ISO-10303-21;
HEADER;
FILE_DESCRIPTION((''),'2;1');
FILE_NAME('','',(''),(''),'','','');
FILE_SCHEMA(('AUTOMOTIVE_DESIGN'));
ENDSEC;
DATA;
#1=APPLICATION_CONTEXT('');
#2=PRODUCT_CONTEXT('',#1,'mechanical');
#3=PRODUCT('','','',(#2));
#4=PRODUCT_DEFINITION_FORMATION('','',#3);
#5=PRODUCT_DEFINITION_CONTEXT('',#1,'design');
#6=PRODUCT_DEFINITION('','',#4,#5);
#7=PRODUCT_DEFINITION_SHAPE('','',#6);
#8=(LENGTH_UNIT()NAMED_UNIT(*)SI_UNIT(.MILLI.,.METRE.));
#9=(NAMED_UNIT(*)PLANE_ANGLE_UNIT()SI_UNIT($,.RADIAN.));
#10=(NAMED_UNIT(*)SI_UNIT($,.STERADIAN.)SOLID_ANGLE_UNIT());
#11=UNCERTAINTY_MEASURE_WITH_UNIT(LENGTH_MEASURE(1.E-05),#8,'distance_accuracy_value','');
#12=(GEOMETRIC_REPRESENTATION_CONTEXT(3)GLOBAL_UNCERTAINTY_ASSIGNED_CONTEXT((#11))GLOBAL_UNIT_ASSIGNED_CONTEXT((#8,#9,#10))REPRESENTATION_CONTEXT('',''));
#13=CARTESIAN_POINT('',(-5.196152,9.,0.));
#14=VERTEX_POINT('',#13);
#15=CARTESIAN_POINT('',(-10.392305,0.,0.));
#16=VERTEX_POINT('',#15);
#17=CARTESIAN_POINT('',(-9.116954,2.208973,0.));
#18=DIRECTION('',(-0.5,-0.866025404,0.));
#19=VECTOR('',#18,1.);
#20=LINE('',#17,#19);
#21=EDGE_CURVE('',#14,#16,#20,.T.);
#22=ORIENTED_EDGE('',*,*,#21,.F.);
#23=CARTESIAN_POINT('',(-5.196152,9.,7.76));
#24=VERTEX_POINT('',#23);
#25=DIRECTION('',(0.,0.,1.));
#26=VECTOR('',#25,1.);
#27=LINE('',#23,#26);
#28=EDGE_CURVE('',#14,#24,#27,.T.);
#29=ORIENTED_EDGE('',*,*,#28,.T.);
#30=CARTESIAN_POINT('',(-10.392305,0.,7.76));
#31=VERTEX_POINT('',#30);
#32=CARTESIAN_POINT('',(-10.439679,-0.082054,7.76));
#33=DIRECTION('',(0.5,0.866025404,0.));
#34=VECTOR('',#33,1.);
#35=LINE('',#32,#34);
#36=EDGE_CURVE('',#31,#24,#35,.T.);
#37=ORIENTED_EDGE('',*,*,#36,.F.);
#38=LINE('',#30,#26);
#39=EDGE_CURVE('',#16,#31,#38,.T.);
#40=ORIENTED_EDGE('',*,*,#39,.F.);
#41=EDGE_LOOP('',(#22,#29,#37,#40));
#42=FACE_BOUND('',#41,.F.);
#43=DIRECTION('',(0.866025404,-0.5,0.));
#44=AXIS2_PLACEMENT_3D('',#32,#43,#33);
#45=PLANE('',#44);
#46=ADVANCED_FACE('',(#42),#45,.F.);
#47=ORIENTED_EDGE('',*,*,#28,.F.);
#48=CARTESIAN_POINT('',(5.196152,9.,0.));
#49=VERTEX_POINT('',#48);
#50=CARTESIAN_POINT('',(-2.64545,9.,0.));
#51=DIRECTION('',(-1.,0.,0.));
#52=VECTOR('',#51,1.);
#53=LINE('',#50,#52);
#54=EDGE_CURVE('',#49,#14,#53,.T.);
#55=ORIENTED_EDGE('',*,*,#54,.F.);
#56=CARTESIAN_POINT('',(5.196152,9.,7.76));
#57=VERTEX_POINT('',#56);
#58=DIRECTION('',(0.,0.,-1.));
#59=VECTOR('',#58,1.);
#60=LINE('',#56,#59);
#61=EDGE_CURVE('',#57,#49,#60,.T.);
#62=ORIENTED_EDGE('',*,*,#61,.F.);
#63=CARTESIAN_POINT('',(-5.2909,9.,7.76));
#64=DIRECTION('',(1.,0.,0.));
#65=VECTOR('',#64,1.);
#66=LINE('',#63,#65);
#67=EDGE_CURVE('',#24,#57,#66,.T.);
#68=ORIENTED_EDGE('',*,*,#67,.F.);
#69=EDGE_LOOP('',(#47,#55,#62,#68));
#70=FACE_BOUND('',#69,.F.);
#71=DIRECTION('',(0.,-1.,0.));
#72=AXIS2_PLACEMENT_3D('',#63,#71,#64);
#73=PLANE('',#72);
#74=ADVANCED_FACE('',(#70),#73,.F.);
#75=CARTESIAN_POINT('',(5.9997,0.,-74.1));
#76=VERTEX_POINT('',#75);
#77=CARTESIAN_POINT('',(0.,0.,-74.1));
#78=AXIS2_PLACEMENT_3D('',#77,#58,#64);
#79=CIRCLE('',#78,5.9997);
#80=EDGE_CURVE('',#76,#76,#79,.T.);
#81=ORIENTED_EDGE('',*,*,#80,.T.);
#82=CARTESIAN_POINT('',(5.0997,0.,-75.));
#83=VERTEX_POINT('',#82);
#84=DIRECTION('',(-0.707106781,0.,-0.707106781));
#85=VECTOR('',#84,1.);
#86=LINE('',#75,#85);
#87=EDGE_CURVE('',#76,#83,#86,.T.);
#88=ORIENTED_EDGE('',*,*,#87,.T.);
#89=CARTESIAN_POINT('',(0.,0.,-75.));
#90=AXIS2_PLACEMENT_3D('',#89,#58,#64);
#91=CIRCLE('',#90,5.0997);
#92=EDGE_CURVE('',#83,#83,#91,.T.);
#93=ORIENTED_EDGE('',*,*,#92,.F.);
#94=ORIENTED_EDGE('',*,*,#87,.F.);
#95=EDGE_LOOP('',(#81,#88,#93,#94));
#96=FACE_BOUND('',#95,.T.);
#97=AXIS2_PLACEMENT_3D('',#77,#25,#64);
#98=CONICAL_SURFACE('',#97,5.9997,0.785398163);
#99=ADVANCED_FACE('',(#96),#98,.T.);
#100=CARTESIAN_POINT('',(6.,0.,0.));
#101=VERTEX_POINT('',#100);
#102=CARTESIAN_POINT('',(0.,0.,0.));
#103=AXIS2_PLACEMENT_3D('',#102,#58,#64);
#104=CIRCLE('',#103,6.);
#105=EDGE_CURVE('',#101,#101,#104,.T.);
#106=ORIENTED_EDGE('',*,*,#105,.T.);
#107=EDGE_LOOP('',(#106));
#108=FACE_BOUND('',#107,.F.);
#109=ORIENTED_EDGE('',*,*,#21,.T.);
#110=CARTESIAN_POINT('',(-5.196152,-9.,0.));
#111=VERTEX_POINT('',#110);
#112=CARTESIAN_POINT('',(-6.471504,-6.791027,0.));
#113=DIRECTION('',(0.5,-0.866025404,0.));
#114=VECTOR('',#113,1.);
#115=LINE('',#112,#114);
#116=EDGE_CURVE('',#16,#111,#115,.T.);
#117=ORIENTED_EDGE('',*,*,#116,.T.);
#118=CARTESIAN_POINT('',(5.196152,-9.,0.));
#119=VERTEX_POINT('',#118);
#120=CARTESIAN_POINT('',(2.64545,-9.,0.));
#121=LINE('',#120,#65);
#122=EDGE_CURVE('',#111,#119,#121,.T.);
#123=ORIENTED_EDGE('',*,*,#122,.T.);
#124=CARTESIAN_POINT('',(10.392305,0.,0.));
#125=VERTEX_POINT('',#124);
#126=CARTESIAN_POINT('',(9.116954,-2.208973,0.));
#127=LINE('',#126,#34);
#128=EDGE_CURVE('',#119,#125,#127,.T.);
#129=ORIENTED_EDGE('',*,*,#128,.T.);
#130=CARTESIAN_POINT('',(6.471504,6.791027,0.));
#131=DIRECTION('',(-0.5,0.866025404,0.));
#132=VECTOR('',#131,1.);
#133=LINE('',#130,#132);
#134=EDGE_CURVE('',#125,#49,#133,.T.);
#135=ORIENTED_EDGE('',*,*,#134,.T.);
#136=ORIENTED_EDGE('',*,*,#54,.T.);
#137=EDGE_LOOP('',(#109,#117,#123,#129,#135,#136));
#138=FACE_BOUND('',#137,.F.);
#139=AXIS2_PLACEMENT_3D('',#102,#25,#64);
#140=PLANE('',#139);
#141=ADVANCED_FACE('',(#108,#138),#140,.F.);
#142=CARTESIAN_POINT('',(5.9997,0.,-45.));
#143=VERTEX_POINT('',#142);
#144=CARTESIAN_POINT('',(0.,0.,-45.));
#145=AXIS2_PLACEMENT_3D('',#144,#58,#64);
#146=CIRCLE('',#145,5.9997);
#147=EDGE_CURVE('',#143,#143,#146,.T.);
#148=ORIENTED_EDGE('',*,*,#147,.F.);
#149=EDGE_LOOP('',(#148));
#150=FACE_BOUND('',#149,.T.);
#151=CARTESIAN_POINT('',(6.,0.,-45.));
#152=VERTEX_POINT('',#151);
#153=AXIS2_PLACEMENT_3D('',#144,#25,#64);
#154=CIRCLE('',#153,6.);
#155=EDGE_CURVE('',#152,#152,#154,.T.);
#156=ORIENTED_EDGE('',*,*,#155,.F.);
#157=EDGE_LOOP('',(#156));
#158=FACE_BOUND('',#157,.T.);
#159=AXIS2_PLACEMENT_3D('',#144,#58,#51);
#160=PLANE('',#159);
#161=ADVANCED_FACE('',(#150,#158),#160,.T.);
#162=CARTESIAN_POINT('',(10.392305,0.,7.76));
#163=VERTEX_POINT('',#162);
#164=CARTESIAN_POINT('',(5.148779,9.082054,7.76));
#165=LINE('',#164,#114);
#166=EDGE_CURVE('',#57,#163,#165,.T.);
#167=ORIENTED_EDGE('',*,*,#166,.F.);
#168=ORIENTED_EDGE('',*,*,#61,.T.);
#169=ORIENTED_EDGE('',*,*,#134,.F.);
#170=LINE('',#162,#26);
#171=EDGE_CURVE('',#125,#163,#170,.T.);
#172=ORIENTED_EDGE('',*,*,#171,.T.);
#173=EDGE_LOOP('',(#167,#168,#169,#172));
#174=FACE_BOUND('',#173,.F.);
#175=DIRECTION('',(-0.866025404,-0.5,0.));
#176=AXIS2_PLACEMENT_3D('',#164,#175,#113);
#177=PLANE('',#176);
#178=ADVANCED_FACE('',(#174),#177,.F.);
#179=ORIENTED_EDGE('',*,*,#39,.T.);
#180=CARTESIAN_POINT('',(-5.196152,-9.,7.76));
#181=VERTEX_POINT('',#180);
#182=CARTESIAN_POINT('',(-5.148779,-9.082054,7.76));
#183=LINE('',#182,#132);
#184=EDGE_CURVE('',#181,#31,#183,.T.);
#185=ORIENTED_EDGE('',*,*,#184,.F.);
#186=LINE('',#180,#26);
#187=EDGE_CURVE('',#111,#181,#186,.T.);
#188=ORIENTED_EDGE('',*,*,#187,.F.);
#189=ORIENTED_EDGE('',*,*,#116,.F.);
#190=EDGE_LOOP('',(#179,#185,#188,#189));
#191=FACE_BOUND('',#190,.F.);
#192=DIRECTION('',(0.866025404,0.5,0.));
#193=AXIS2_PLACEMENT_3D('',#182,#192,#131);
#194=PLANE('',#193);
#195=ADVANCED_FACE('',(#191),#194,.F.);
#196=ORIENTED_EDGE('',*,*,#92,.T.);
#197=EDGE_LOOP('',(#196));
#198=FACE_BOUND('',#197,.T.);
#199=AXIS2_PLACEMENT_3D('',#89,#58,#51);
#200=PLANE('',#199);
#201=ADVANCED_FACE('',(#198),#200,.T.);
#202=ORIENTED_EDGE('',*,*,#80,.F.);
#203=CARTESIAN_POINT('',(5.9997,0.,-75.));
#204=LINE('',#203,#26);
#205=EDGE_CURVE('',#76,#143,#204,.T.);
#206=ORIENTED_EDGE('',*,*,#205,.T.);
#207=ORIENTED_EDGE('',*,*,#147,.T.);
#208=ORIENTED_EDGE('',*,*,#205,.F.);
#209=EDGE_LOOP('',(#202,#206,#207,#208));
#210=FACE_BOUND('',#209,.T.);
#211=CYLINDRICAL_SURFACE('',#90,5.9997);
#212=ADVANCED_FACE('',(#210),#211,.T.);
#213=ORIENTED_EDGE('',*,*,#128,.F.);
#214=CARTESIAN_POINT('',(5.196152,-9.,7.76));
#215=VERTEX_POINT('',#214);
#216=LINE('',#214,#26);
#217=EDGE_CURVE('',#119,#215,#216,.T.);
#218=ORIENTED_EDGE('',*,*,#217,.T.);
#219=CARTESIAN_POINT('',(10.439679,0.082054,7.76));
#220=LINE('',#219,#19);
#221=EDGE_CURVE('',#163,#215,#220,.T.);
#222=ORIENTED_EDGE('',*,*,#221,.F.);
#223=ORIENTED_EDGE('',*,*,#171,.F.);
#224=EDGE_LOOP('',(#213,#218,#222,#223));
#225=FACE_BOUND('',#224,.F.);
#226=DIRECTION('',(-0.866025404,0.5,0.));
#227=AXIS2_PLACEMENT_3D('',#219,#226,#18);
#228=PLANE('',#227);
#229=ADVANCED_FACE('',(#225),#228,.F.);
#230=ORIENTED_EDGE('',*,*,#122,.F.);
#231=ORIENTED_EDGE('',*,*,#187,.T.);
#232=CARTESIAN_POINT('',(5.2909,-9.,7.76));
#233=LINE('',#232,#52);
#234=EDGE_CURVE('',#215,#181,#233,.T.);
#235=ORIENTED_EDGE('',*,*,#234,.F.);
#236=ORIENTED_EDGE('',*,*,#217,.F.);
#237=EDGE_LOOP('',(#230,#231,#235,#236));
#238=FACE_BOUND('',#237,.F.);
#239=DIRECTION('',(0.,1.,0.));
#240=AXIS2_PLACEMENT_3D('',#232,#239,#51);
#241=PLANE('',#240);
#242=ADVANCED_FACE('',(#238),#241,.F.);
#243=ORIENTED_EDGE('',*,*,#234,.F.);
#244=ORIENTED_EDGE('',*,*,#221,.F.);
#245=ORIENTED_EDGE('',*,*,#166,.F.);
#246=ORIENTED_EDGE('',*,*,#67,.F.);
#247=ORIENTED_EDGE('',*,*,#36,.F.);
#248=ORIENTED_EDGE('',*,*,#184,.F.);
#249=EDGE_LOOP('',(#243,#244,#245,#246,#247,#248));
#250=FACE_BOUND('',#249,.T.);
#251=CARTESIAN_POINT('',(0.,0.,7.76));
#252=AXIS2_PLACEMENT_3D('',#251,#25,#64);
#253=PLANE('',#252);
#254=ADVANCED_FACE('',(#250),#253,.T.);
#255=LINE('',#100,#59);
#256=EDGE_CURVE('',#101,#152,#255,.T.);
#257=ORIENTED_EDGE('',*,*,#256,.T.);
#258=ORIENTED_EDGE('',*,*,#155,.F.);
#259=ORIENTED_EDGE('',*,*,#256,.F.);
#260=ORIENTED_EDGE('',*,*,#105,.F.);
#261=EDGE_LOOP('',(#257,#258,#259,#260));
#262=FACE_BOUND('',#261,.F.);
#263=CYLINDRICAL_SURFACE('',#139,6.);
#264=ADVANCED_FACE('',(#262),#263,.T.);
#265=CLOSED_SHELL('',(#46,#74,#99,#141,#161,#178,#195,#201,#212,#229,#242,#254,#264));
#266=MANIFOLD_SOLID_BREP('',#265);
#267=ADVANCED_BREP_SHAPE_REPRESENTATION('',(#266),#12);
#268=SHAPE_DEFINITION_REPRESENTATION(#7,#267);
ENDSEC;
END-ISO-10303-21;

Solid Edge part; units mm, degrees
sketch "Sketch1" plane through (0, 0, 0) normal (0, 0, 1) x (1, 0, 0)
  circle A0 centre (0, 0) radius 10.44
  dimension "D1" = 20.88
extrude "Protrusion1" add sketch "Sketch1" along normal blind 7.76
sketch "Sketch2" plane through (0, 0, 0) normal (0, 0, -1) x (1, 0, 0)
  circle A0 centre (0, 0) radius 6
extrude "Protrusion2" add sketch "Sketch2" along normal blind 75
sketch "Sketch3" plane through (0, 0, -75) normal (0, 0, -1) x (1, 0, 0)
  circle A0 centre (0, 0) radius 5.9997
extrude "Cutout1" cut sketch "Sketch3" against normal blind 30 flip side to cut
chamfer "Chamfer_1" distance 0.9 angle 45 1 edges at (-5.9997, 0, -75)
sketch "Sketch4" plane through (0, 0, 7.76) normal (0, 0, 1) x (1, 0, 0)
  line L0 (-5.2909, 9) -> (5.2909, 9)
  dimension "D1" = 18
extrude "Cutout2" cut sketch "Sketch4" against normal up to next material side at (0, 9.05, 7.76)
pattern_circular "Pattern1" count 6 over 360 about axis through (0, 0, 7.76) along (0, 0, 1) of "Cutout2"
properties part number "185560"
